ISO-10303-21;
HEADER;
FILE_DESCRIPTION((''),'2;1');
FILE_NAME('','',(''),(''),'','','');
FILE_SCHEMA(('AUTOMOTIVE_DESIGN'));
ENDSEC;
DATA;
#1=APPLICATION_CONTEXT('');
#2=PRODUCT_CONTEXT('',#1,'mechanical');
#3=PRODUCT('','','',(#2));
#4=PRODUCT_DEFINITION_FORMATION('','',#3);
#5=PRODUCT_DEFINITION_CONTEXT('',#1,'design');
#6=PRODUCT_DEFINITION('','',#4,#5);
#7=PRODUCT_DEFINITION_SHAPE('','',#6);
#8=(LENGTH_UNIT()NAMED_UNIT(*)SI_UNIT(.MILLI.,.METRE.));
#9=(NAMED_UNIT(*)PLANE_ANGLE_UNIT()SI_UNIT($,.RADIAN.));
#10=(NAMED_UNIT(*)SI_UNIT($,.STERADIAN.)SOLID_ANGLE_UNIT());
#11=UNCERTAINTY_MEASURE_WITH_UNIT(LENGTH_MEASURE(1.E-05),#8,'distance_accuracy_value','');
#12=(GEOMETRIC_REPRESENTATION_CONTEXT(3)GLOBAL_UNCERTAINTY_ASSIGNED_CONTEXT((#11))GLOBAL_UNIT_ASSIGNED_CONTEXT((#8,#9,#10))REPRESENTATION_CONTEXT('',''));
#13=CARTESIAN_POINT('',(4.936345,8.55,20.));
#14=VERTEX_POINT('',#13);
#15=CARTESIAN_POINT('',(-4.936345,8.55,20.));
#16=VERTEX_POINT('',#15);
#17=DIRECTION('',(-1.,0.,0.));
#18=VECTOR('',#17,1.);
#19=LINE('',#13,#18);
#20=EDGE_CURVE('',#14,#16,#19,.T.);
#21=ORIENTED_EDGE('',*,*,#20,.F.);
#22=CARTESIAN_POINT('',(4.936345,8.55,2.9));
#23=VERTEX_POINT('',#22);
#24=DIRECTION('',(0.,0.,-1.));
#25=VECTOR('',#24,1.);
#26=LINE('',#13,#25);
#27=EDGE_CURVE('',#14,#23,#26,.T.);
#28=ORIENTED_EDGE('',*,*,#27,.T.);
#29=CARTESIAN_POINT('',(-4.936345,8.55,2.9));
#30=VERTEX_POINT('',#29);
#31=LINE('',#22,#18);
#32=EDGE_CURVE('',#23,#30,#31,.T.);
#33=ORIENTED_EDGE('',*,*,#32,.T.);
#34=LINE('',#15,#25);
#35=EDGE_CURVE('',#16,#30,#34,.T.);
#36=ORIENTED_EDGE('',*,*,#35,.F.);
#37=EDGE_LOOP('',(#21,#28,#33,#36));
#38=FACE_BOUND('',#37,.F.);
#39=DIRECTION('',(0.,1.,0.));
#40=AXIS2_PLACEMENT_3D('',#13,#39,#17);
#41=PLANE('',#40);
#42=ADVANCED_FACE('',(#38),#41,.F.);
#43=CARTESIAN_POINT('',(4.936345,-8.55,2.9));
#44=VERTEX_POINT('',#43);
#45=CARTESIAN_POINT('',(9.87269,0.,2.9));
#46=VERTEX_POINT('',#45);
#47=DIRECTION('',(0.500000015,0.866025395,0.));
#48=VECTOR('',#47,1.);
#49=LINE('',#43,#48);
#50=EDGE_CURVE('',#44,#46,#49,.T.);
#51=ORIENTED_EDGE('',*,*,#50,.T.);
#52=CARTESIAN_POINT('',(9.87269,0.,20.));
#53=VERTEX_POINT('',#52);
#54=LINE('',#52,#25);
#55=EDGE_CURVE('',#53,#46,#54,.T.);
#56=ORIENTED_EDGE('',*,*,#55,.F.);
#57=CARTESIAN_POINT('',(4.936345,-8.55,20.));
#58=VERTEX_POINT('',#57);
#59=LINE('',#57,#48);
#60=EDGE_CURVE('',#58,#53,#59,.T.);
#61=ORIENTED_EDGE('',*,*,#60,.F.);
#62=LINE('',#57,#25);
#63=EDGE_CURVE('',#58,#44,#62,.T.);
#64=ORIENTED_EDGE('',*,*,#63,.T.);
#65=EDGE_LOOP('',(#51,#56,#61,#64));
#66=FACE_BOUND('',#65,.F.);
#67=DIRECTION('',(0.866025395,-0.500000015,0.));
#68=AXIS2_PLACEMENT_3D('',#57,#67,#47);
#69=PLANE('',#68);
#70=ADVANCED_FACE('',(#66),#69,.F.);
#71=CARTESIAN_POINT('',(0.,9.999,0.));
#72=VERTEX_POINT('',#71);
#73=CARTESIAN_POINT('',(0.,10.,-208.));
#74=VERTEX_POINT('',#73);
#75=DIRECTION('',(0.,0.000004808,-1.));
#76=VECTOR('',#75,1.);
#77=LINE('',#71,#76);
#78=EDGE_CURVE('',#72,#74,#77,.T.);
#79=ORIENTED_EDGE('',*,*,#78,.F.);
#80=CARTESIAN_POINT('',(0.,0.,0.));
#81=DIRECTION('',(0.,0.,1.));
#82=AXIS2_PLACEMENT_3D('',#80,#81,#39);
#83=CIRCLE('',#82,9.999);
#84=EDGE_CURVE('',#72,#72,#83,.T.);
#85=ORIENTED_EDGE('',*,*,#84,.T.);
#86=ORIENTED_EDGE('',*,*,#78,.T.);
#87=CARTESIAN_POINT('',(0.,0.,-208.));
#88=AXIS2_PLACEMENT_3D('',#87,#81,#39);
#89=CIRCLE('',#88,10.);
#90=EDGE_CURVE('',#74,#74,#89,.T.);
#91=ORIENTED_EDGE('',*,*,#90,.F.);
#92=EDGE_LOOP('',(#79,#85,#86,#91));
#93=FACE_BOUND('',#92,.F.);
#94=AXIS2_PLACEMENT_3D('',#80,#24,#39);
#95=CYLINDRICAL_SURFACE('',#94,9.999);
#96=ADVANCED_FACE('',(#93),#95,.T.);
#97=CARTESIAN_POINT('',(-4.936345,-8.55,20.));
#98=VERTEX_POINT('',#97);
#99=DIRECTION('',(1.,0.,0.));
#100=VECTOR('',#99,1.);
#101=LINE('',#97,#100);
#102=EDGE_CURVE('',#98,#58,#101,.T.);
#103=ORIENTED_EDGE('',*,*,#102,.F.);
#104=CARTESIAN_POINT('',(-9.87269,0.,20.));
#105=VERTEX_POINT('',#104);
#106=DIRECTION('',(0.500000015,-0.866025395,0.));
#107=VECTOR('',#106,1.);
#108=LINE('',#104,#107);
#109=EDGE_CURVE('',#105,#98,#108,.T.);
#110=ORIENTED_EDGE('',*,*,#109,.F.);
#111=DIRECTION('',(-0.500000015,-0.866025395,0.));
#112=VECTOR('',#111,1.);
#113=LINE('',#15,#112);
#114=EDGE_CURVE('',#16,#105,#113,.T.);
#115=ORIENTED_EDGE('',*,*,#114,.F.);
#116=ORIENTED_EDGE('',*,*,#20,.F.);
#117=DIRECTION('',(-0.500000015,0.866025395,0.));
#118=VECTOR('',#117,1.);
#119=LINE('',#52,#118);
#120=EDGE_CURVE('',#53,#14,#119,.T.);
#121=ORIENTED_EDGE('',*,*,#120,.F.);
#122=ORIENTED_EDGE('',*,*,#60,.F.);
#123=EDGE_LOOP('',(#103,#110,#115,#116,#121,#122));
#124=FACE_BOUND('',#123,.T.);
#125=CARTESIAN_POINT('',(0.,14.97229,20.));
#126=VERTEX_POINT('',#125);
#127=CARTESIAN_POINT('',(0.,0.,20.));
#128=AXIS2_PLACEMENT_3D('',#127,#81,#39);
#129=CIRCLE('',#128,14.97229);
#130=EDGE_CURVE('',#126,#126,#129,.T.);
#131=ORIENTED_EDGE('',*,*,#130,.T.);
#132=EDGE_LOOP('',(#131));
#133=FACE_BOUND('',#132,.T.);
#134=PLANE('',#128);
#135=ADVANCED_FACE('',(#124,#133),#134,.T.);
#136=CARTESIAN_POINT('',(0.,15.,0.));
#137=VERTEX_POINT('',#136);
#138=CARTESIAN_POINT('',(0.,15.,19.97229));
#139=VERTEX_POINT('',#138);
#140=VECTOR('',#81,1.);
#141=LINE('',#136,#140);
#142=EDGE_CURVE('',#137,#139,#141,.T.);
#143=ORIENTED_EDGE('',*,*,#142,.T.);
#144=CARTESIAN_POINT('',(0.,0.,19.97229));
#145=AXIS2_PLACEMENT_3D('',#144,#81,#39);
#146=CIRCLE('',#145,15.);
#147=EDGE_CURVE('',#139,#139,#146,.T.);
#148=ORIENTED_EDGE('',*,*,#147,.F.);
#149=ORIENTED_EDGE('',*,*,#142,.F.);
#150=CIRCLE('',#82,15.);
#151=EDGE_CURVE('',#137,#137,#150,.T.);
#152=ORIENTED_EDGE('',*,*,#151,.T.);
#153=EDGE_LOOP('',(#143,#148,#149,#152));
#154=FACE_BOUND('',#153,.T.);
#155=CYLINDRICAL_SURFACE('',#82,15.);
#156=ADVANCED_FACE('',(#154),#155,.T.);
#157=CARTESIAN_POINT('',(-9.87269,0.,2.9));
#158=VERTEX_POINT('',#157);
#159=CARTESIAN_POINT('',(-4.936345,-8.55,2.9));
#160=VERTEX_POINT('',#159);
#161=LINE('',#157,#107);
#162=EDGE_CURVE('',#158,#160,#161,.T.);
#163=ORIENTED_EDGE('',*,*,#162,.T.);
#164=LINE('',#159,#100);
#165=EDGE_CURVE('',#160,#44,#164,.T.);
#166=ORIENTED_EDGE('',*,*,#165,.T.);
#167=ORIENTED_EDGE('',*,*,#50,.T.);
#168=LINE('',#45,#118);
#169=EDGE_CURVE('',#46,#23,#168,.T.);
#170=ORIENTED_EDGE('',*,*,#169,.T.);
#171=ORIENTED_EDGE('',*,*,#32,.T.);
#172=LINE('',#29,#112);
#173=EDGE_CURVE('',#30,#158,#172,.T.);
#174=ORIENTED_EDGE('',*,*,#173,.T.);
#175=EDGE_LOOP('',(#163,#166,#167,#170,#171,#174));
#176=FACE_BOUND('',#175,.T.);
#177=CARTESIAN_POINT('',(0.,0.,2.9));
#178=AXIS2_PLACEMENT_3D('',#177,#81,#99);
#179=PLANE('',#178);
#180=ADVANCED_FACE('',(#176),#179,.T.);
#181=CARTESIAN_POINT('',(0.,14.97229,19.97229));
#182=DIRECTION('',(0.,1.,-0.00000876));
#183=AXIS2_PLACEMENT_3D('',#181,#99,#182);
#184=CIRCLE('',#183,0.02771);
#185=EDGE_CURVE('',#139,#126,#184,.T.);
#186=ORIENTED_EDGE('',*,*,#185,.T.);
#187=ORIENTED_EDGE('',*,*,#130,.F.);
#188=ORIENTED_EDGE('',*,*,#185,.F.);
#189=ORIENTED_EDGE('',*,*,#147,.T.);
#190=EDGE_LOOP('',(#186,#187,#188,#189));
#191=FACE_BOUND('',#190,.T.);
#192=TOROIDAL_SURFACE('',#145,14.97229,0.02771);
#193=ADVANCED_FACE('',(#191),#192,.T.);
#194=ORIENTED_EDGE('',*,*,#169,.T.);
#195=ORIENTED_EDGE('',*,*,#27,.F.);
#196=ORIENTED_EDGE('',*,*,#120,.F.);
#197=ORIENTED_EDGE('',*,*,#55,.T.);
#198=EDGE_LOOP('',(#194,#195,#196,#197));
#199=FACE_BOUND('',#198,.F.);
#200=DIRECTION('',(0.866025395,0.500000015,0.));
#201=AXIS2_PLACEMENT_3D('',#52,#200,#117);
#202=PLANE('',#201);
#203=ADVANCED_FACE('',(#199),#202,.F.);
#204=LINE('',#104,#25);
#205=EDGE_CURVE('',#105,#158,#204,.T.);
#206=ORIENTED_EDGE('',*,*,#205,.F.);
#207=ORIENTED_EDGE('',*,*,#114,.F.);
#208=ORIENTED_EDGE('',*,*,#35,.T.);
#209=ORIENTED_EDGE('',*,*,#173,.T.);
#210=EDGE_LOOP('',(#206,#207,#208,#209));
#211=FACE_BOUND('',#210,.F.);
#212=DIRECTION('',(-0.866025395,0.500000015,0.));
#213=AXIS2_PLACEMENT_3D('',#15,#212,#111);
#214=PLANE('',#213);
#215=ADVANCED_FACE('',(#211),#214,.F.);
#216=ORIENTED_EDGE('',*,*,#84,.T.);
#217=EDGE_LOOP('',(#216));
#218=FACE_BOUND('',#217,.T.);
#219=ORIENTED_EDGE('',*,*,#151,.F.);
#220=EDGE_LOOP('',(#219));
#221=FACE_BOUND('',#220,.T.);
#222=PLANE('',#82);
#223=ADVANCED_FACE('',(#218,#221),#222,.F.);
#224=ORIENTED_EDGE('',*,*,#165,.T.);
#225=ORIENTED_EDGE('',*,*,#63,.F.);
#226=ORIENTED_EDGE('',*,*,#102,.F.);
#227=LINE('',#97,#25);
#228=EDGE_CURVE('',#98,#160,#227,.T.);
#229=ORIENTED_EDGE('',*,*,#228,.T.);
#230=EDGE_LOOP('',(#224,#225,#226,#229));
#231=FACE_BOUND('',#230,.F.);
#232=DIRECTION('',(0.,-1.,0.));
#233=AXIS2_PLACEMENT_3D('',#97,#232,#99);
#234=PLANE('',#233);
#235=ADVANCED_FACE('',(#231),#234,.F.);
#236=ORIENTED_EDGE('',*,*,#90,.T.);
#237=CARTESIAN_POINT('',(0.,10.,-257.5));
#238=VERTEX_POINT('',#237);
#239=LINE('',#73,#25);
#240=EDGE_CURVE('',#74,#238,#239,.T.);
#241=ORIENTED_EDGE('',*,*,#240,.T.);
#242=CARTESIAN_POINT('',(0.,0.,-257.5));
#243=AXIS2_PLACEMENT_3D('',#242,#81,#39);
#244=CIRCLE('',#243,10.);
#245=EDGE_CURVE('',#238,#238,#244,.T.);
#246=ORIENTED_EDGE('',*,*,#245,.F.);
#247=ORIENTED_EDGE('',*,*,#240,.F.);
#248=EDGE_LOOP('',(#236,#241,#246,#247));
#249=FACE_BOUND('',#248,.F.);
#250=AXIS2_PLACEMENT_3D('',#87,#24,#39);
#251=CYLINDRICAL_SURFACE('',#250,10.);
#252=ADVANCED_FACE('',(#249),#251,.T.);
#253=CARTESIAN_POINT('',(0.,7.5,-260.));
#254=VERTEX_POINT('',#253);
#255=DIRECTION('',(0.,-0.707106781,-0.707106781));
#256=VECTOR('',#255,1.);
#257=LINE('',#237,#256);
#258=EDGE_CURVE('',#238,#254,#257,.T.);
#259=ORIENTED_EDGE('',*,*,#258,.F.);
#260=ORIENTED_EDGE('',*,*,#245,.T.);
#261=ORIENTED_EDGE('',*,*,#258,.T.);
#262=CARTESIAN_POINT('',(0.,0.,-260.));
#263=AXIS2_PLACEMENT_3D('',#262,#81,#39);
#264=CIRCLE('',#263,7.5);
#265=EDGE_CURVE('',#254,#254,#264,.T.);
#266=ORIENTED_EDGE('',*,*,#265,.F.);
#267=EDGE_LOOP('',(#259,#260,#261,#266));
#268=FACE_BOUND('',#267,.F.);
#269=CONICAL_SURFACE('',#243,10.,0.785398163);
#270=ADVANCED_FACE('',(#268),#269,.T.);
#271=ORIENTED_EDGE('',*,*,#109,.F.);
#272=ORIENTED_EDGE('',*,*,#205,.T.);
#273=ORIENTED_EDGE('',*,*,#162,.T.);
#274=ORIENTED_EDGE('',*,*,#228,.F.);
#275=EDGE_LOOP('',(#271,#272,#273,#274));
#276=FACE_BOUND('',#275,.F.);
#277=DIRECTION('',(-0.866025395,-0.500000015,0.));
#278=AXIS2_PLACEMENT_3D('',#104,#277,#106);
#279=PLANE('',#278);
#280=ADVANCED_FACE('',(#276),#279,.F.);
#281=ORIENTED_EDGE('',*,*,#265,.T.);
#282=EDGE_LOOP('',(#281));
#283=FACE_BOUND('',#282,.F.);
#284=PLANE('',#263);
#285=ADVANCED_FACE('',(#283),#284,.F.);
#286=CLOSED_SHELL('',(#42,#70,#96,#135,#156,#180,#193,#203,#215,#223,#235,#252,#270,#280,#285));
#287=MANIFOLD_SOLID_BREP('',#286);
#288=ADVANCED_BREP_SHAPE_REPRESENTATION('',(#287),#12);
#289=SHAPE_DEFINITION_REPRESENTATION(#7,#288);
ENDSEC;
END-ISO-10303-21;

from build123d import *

# Parameters (mm, degrees)
POCKET_DEPTH = 17.1


with BuildPart() as part:
    # Sketch → Revolve (revolve)
    with BuildSketch(Plane.YZ):
        with BuildLine():
            Line((9.999, 0), (15, 0))
            Line((15, 0), (15, 19.97229))
            ThreePointArc((15, 19.97229), (14.991884, 19.991884), (14.97229, 20))
            Line((14.97229, 20), (0, 20))
            Line((0, -260), (0, 20))
            Line((7.5, -260), (0, -260))
            Line((10, -257.5), (7.5, -260))
            Line((10, -208), (10, -257.5))
            Line((9.999, 0), (10, -208))
        make_face()
    revolve(axis=Axis((0, 0, 0), (0, 0, 1)))

    # Sketch001 → Pocket (cut)
    with BuildSketch(Plane.XY.offset(20)):
        Polygon((9.87269, 0), (4.936345, 8.55), (-4.936345, 8.55), (-9.87269, 0), (-4.936345, -8.55), (4.936345, -8.55), align=None)
    extrude(amount=-POCKET_DEPTH, mode=Mode.SUBTRACT)


solid = part.part
